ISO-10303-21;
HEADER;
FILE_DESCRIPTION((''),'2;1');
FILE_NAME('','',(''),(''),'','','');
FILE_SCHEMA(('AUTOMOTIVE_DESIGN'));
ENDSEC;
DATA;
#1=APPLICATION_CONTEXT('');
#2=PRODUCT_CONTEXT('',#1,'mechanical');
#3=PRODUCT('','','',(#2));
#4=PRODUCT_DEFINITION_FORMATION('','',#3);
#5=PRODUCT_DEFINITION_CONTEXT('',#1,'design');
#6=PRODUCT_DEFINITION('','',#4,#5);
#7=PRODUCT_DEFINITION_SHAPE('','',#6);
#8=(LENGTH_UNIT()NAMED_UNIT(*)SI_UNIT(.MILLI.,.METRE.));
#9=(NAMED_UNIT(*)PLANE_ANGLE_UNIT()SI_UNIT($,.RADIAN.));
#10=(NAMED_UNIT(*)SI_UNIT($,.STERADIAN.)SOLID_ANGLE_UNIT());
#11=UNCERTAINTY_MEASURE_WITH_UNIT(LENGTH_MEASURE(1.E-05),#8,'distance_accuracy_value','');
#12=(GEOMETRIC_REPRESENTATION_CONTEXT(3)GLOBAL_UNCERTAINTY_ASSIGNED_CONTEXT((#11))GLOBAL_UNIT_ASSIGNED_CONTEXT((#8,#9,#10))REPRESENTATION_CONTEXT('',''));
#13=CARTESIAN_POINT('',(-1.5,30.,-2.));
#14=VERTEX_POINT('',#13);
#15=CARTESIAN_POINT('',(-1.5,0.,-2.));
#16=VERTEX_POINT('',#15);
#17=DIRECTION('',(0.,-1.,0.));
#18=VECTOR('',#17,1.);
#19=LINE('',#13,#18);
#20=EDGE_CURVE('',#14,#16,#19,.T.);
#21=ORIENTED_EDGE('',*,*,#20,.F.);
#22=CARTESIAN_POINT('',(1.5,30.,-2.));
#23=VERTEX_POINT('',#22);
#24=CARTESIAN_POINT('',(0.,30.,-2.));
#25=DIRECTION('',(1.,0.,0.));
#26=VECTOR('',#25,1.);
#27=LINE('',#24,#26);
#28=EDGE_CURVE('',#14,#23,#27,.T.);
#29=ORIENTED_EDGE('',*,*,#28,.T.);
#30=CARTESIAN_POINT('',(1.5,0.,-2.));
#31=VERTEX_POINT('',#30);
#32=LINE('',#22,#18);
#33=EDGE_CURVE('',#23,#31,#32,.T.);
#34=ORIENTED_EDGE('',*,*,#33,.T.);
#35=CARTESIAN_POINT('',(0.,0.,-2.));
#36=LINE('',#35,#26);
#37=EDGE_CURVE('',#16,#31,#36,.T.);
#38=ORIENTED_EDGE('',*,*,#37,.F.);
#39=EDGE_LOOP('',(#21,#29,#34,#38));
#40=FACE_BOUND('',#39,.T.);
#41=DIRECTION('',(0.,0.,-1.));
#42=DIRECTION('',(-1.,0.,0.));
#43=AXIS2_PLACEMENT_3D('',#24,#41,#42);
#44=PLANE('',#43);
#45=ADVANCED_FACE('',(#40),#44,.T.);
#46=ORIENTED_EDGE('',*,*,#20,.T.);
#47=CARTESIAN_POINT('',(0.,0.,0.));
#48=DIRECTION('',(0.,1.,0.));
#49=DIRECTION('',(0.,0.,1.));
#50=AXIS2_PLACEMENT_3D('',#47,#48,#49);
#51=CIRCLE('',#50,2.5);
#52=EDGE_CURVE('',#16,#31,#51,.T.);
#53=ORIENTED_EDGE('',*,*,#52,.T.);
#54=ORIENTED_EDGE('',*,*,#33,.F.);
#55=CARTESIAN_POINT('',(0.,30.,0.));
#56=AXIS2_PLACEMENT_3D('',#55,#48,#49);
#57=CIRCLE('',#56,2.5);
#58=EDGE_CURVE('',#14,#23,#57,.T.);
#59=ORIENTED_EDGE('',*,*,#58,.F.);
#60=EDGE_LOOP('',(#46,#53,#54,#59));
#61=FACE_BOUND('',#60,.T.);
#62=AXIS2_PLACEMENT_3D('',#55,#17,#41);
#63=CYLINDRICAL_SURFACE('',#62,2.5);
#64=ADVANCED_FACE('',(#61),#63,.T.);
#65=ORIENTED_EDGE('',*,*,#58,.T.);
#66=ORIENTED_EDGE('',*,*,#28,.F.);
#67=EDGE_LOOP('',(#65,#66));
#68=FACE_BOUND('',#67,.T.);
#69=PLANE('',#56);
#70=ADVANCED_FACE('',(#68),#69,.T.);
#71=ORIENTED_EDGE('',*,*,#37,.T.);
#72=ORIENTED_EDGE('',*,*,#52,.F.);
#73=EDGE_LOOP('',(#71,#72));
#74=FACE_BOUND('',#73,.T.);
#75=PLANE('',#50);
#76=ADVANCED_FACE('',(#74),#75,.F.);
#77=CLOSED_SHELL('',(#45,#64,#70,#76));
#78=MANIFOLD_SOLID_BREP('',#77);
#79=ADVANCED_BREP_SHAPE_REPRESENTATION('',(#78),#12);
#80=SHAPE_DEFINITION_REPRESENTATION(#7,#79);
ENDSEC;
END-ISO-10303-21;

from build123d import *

# Parameters (mm, degrees)
EXTRUDE_1_DEPTH = 30


with BuildPart() as part:
    # 草图1 → 凸台-拉伸1 (new body)
    with BuildSketch(Plane(origin=(0, 0, 0), x_dir=(1, 0, 0), z_dir=(0, 1, 0))):
        with BuildLine():
            Line((0, 2), (-1.5, 2))
            ThreePointArc((-1.5, 2), (-2.371708245, -0.790569415), (0, -2.5))
            Line((0, -2.5), (0, 2))
        make_face()
        with BuildLine():
            Line((1.5, 2), (0, 2))
            Line((0, 2), (0, -2.5))
            ThreePointArc((0, -2.5), (1.767766953, -1.767766953), (2.5, 0))
            ThreePointArc((2.5, 0), (2.236067977, 1.118033989), (1.5, 2))
        make_face()
    extrude(amount=EXTRUDE_1_DEPTH)


solid = part.part
